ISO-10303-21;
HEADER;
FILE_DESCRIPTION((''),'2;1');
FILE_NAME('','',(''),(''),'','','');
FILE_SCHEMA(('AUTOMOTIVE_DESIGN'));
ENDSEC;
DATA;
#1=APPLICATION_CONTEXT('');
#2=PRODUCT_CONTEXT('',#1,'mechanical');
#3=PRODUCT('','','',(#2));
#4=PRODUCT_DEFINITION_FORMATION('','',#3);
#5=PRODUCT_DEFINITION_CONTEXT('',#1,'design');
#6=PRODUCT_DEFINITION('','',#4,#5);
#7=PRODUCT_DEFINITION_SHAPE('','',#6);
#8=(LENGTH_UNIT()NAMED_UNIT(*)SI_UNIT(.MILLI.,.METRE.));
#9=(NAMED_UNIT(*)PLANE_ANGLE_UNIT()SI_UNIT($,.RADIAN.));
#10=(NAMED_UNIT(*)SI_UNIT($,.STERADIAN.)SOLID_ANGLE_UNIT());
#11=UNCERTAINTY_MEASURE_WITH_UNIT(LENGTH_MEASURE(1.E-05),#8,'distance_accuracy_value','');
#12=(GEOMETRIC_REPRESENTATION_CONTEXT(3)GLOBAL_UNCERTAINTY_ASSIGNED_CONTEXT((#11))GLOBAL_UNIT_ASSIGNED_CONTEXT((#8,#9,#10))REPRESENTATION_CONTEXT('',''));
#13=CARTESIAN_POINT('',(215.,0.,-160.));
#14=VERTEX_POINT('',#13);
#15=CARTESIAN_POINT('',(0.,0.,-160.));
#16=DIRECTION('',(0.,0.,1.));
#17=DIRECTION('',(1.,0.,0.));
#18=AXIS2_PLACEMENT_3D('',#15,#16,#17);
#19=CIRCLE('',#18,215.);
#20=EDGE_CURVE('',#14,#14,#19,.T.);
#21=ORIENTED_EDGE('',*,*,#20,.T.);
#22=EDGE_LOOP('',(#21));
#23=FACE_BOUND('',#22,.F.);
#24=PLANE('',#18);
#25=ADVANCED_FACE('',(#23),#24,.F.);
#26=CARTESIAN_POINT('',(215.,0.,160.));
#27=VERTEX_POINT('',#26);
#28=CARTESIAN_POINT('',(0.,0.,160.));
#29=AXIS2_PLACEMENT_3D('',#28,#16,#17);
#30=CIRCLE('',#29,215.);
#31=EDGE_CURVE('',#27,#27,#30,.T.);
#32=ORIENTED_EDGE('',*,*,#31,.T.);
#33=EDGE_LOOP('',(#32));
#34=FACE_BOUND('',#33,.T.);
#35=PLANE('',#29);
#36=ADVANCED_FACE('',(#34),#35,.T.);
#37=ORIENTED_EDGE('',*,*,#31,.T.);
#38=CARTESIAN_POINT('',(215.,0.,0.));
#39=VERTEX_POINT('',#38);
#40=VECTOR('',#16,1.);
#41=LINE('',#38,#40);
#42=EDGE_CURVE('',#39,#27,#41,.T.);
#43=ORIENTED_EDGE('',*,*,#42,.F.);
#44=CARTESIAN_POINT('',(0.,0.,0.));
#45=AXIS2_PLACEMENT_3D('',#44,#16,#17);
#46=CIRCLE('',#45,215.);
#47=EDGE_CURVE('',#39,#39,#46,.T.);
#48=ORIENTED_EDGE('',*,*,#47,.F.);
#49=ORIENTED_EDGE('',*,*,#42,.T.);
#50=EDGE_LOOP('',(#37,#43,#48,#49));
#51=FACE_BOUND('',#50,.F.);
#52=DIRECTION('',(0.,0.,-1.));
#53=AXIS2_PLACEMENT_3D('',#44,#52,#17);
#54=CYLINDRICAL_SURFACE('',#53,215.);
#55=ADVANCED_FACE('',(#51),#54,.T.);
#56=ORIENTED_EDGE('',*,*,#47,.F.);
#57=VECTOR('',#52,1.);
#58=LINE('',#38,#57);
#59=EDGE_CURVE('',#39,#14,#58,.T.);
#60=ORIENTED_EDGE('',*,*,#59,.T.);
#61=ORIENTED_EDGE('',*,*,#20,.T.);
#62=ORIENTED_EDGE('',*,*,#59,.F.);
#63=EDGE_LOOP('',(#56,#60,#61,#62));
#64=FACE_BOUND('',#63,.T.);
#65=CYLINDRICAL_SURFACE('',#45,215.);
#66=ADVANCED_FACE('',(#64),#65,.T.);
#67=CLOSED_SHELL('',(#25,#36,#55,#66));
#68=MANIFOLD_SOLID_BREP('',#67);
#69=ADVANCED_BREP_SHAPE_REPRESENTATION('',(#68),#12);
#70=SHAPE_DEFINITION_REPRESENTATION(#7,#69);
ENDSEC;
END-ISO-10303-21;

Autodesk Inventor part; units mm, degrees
ref_plane "YZ Plane" through (0, 0, 0) normal (1, 0, 0) x (0, 1, 0)
ref_plane "XZ Plane" through (0, 0, 0) normal (0, 1, 0) x (-1, 0, 0)
ref_plane "XY Plane" through (0, 0, 0) normal (0, 0, 1) x (1, 0, 0)
sketch "Sketch2" plane through (0, 0, 0) normal (0, 0, 1) x (1, 0, 0)
  circle A0 centre (0, 0) radius 215
  dimension "d0" = 430
extrude "Extrusion1" add sketch "Sketch2" along normal mid plane 320
equation "\"d0\" = diam"
equation "\"d1\" = thickness"
equation "\"diam\" = 430"
equation "\"thickness\" = 320"
properties part number "test"
